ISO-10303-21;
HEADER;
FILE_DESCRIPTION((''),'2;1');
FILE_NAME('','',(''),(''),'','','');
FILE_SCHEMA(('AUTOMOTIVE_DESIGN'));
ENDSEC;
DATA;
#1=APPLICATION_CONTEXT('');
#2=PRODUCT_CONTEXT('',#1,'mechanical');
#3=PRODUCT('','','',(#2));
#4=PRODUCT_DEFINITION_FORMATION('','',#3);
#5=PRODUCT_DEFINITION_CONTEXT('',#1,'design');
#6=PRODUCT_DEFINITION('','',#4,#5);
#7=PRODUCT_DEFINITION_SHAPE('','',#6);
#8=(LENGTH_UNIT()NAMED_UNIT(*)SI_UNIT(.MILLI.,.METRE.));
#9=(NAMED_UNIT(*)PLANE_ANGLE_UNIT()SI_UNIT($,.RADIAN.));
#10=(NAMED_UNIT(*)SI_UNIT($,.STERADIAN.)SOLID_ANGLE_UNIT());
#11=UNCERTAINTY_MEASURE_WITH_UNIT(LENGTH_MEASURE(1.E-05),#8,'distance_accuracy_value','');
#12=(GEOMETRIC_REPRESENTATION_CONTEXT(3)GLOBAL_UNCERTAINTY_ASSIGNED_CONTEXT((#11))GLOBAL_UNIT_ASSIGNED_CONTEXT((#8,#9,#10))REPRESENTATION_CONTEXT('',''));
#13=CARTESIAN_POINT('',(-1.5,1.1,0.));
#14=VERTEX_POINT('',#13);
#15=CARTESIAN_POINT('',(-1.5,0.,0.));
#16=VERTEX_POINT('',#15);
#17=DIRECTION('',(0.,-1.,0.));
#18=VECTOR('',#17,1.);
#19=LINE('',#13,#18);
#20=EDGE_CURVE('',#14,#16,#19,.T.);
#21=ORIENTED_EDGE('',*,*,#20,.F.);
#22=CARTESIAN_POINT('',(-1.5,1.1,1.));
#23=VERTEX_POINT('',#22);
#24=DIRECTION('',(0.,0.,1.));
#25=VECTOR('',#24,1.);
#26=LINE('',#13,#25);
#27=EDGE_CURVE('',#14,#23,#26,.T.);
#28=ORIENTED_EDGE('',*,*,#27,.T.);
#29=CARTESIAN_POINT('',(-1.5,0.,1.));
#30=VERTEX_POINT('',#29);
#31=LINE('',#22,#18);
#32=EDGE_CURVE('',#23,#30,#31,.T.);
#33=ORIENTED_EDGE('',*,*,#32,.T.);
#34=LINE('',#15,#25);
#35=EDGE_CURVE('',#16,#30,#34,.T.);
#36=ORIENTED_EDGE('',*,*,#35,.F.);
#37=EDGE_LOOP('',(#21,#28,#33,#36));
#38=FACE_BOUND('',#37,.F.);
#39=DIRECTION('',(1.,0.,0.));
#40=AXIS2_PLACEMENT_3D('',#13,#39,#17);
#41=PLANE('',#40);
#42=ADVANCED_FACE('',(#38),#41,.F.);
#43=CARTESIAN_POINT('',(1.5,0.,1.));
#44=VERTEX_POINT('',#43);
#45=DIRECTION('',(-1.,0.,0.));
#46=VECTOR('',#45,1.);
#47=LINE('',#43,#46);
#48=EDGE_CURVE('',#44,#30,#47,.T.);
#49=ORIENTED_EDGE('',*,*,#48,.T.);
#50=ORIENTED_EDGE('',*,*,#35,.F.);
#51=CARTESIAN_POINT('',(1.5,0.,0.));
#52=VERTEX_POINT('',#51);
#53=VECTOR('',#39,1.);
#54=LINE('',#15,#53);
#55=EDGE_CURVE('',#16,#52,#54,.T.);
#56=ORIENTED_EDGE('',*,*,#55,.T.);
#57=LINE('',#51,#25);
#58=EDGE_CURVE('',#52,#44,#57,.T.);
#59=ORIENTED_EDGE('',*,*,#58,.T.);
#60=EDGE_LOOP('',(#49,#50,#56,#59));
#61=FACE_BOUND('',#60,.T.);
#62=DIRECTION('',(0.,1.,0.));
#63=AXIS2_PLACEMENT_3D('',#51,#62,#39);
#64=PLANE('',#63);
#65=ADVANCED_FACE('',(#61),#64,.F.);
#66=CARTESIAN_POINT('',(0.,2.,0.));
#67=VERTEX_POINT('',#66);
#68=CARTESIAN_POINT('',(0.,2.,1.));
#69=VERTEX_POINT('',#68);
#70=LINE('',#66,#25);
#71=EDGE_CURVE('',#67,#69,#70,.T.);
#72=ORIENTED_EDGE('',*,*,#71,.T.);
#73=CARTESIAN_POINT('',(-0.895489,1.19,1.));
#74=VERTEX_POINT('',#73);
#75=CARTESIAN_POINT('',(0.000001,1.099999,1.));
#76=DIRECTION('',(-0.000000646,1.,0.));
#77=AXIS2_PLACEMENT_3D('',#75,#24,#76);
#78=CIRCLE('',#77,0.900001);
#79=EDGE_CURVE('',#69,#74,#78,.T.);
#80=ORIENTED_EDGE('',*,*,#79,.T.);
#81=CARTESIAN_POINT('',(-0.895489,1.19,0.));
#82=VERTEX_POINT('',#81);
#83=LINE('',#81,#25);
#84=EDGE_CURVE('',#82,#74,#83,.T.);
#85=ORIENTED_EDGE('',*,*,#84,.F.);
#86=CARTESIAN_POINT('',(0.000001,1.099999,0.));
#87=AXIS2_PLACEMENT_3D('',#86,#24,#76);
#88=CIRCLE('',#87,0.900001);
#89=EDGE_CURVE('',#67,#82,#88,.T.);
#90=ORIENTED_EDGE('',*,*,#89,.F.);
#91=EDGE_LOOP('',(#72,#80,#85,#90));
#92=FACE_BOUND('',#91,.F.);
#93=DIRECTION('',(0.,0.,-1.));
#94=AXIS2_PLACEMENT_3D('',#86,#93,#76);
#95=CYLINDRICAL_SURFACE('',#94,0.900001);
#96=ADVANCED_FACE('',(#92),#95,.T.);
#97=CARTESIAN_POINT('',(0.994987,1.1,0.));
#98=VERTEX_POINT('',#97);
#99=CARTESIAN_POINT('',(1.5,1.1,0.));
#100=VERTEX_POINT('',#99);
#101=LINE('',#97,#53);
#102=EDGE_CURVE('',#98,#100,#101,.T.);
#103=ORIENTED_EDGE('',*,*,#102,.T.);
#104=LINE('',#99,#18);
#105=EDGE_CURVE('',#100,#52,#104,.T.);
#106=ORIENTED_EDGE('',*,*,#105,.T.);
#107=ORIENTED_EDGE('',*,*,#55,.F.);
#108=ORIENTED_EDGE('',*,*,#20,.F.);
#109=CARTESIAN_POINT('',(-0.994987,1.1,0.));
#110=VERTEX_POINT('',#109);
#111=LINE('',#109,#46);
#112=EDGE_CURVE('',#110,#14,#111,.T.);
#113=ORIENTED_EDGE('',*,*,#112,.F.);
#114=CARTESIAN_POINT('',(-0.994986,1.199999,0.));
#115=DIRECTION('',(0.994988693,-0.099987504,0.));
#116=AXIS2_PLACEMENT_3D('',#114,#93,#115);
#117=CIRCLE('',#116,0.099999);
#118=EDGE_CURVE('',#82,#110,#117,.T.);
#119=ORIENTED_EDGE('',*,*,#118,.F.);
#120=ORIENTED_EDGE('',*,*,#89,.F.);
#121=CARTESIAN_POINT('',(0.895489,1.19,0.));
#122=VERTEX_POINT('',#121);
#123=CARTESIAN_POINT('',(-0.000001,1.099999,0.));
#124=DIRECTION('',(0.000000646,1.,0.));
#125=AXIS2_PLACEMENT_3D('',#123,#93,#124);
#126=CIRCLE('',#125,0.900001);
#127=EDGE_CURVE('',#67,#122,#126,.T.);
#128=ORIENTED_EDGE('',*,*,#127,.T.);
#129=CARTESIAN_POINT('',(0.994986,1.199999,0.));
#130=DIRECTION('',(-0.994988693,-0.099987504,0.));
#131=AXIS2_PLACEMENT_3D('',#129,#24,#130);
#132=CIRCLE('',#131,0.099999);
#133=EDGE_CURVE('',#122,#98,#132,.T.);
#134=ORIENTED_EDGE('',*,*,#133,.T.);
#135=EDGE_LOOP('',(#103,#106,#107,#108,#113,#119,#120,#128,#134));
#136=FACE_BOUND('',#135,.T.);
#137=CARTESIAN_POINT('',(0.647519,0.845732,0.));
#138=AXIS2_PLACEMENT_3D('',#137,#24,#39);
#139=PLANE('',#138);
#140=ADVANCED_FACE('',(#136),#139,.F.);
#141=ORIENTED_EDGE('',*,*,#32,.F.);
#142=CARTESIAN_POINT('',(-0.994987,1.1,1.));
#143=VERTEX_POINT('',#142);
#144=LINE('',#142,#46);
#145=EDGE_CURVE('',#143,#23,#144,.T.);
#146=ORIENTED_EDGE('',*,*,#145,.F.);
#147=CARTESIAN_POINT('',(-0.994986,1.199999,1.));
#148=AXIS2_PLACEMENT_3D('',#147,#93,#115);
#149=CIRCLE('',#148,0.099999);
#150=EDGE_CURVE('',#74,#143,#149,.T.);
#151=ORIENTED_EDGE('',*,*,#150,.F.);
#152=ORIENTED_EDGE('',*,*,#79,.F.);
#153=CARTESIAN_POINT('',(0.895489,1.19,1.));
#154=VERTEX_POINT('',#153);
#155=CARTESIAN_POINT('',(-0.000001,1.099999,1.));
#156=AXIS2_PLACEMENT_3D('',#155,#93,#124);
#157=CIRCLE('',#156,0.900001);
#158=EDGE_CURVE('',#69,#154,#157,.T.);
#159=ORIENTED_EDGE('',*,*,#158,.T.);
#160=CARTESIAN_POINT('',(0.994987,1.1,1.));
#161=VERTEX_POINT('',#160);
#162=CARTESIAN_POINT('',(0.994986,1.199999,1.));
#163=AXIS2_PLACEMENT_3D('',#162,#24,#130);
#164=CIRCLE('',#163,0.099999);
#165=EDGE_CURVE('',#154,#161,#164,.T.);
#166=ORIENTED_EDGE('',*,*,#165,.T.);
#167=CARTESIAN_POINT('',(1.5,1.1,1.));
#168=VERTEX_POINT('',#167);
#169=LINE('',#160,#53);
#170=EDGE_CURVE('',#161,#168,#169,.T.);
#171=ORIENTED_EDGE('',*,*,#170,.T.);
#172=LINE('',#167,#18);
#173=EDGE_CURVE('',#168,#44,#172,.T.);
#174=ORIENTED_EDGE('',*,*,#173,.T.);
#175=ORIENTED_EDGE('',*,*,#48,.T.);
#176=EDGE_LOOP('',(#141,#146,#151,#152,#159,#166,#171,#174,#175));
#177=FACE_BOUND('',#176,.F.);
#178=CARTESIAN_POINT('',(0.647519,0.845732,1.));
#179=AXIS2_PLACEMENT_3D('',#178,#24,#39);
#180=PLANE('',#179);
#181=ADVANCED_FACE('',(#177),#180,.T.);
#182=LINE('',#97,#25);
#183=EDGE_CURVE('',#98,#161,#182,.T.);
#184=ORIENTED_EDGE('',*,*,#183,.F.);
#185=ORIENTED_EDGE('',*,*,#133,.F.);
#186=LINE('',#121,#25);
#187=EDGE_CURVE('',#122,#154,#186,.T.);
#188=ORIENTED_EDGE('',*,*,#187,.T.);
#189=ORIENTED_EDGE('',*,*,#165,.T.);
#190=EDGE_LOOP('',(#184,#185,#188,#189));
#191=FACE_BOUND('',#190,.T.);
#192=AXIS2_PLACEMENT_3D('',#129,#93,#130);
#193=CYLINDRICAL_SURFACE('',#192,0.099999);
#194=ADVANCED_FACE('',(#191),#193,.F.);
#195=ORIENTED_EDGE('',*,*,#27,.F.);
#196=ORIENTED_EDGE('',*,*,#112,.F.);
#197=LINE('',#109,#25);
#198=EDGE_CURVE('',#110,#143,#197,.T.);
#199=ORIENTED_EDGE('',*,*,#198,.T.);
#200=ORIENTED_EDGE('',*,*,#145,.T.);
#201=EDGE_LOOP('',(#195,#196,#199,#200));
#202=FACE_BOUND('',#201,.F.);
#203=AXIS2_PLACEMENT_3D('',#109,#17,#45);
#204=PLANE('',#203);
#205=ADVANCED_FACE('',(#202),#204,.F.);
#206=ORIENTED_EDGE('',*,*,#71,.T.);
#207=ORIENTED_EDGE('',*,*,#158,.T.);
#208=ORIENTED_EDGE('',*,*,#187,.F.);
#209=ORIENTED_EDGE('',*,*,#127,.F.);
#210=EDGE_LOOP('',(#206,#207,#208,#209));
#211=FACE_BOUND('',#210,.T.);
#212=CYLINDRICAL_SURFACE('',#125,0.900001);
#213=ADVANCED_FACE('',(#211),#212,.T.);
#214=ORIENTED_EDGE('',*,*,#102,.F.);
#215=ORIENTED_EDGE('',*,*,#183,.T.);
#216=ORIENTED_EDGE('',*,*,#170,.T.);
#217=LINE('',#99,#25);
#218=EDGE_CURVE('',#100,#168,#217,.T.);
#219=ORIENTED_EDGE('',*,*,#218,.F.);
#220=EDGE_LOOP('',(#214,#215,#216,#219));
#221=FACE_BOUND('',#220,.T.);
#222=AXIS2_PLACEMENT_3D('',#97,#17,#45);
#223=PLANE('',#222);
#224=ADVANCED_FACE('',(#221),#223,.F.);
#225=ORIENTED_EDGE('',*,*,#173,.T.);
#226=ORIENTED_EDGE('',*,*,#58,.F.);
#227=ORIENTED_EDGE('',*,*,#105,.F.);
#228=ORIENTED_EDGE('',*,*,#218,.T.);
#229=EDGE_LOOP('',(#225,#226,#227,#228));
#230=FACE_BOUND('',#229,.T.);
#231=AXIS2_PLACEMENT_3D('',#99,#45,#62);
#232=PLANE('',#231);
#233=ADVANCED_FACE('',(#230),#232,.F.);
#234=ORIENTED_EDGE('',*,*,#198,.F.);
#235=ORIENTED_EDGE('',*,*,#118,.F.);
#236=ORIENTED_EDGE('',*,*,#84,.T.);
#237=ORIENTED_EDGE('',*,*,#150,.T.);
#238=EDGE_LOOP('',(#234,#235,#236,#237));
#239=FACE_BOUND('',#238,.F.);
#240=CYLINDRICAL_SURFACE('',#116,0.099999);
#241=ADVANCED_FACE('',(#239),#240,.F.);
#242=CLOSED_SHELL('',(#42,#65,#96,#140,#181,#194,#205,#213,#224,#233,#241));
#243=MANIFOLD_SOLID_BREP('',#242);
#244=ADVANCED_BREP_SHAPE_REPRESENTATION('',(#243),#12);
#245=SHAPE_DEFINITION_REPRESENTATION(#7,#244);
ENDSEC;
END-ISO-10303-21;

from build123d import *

# Parameters (mm, degrees)
F1_DEPTH = 1


with BuildPart() as f1:
    # F0 (on Top) → F1 (new body)
    with BuildSketch(Plane.XY):
        with BuildLine():
            Line((-1.5, 0), (0, 0))
            Line((0, 0), (0, 1.1))
            Line((0, 1.1), (0, 2))
            ThreePointArc((0, 2), (-0.603738, 1.767458), (-0.895489, 1.19))
            ThreePointArc((-0.895489, 1.19), (-0.927905, 1.125838), (-0.994987, 1.1))
            Line((-0.994987, 1.1), (-1.5, 1.1))
            Line((-1.5, 1.1), (-1.5, 0))
        make_face()
    extrude(amount=F1_DEPTH)

    # F2: F1 across plane


with BuildPart() as f1_1:
    add(f1.part)
    add(f1.part.mirror(Plane.YZ))


solid = f1_1.part
